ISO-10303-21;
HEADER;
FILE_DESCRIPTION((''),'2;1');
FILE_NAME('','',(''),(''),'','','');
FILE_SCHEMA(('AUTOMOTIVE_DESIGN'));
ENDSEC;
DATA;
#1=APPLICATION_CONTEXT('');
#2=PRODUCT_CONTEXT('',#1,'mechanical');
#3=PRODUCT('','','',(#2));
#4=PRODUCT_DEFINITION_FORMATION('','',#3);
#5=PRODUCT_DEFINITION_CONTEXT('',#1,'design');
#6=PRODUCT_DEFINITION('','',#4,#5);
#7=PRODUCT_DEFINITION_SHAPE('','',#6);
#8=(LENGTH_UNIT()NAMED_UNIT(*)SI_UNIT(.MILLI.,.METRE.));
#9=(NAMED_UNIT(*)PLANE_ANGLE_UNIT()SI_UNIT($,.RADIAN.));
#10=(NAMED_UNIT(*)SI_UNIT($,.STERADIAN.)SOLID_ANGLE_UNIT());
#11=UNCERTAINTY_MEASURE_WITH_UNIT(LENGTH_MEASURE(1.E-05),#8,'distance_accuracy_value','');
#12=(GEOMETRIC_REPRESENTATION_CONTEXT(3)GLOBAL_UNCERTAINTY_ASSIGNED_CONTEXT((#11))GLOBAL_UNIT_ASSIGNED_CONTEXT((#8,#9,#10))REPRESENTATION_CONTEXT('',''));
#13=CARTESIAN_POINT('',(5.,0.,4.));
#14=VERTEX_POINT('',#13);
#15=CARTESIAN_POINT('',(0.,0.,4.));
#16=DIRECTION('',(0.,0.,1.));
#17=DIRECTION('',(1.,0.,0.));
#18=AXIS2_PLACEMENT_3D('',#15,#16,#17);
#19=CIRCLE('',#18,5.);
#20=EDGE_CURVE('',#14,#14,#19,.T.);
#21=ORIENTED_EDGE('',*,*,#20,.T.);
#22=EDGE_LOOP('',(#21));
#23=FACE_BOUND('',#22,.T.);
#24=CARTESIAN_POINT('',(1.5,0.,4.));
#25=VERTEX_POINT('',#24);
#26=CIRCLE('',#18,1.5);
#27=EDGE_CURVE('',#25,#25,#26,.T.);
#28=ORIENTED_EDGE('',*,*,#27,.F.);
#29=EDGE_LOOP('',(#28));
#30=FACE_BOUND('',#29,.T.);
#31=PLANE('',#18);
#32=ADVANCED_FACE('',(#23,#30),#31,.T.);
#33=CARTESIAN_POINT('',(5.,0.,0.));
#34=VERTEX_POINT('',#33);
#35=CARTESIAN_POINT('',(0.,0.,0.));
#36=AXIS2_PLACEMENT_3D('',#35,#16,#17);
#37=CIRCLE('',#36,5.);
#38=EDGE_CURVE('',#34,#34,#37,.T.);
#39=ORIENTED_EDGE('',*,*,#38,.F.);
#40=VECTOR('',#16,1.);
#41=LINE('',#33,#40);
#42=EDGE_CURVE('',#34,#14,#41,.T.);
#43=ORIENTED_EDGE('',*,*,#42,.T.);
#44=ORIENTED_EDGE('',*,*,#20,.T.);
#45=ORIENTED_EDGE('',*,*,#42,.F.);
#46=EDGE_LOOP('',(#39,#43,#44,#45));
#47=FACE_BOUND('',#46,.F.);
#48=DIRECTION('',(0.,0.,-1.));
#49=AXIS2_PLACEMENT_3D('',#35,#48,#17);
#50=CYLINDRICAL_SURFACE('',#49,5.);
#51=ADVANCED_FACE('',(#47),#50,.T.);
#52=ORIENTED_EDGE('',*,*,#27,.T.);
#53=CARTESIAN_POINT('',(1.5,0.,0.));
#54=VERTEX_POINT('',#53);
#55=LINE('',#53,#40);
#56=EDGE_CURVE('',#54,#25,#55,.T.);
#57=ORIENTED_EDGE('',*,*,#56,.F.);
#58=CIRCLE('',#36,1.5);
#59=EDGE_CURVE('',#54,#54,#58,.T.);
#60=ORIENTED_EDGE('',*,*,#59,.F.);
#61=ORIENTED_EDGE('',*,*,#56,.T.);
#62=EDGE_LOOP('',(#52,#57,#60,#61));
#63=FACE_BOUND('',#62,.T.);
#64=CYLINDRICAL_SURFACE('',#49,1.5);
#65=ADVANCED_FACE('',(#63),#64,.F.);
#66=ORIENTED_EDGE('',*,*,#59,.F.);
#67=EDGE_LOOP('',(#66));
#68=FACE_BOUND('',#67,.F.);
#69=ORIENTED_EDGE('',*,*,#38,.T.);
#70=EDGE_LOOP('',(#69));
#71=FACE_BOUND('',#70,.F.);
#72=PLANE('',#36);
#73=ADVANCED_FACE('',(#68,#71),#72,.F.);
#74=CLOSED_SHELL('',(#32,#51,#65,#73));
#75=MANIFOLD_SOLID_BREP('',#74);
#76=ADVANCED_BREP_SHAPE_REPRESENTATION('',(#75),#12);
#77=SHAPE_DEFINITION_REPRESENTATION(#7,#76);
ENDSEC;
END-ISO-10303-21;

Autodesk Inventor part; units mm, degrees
ref_plane "YZ Plane" through (0, 0, 0) normal (1, 0, 0) x (0, 1, 0)
ref_plane "XZ Plane" through (0, 0, 0) normal (0, 1, 0) x (-1, 0, 0)
ref_plane "XY Plane" through (0, 0, 0) normal (0, 0, 1) x (1, 0, 0)
sketch "Esboço1" plane through (0, 0, 0) normal (0, 0, 1) x (1, 0, 0)
  circle A0 centre (0, 0) radius 5
  circle A1 centre (0, 0) radius 1.5
  dimension "d0" = 10
  dimension "d1" = 3
extrude "Extrusão1" add sketch "Esboço1" along normal blind 4
properties part number "Rolamento3x10x4" material "Aço inoxidável"
